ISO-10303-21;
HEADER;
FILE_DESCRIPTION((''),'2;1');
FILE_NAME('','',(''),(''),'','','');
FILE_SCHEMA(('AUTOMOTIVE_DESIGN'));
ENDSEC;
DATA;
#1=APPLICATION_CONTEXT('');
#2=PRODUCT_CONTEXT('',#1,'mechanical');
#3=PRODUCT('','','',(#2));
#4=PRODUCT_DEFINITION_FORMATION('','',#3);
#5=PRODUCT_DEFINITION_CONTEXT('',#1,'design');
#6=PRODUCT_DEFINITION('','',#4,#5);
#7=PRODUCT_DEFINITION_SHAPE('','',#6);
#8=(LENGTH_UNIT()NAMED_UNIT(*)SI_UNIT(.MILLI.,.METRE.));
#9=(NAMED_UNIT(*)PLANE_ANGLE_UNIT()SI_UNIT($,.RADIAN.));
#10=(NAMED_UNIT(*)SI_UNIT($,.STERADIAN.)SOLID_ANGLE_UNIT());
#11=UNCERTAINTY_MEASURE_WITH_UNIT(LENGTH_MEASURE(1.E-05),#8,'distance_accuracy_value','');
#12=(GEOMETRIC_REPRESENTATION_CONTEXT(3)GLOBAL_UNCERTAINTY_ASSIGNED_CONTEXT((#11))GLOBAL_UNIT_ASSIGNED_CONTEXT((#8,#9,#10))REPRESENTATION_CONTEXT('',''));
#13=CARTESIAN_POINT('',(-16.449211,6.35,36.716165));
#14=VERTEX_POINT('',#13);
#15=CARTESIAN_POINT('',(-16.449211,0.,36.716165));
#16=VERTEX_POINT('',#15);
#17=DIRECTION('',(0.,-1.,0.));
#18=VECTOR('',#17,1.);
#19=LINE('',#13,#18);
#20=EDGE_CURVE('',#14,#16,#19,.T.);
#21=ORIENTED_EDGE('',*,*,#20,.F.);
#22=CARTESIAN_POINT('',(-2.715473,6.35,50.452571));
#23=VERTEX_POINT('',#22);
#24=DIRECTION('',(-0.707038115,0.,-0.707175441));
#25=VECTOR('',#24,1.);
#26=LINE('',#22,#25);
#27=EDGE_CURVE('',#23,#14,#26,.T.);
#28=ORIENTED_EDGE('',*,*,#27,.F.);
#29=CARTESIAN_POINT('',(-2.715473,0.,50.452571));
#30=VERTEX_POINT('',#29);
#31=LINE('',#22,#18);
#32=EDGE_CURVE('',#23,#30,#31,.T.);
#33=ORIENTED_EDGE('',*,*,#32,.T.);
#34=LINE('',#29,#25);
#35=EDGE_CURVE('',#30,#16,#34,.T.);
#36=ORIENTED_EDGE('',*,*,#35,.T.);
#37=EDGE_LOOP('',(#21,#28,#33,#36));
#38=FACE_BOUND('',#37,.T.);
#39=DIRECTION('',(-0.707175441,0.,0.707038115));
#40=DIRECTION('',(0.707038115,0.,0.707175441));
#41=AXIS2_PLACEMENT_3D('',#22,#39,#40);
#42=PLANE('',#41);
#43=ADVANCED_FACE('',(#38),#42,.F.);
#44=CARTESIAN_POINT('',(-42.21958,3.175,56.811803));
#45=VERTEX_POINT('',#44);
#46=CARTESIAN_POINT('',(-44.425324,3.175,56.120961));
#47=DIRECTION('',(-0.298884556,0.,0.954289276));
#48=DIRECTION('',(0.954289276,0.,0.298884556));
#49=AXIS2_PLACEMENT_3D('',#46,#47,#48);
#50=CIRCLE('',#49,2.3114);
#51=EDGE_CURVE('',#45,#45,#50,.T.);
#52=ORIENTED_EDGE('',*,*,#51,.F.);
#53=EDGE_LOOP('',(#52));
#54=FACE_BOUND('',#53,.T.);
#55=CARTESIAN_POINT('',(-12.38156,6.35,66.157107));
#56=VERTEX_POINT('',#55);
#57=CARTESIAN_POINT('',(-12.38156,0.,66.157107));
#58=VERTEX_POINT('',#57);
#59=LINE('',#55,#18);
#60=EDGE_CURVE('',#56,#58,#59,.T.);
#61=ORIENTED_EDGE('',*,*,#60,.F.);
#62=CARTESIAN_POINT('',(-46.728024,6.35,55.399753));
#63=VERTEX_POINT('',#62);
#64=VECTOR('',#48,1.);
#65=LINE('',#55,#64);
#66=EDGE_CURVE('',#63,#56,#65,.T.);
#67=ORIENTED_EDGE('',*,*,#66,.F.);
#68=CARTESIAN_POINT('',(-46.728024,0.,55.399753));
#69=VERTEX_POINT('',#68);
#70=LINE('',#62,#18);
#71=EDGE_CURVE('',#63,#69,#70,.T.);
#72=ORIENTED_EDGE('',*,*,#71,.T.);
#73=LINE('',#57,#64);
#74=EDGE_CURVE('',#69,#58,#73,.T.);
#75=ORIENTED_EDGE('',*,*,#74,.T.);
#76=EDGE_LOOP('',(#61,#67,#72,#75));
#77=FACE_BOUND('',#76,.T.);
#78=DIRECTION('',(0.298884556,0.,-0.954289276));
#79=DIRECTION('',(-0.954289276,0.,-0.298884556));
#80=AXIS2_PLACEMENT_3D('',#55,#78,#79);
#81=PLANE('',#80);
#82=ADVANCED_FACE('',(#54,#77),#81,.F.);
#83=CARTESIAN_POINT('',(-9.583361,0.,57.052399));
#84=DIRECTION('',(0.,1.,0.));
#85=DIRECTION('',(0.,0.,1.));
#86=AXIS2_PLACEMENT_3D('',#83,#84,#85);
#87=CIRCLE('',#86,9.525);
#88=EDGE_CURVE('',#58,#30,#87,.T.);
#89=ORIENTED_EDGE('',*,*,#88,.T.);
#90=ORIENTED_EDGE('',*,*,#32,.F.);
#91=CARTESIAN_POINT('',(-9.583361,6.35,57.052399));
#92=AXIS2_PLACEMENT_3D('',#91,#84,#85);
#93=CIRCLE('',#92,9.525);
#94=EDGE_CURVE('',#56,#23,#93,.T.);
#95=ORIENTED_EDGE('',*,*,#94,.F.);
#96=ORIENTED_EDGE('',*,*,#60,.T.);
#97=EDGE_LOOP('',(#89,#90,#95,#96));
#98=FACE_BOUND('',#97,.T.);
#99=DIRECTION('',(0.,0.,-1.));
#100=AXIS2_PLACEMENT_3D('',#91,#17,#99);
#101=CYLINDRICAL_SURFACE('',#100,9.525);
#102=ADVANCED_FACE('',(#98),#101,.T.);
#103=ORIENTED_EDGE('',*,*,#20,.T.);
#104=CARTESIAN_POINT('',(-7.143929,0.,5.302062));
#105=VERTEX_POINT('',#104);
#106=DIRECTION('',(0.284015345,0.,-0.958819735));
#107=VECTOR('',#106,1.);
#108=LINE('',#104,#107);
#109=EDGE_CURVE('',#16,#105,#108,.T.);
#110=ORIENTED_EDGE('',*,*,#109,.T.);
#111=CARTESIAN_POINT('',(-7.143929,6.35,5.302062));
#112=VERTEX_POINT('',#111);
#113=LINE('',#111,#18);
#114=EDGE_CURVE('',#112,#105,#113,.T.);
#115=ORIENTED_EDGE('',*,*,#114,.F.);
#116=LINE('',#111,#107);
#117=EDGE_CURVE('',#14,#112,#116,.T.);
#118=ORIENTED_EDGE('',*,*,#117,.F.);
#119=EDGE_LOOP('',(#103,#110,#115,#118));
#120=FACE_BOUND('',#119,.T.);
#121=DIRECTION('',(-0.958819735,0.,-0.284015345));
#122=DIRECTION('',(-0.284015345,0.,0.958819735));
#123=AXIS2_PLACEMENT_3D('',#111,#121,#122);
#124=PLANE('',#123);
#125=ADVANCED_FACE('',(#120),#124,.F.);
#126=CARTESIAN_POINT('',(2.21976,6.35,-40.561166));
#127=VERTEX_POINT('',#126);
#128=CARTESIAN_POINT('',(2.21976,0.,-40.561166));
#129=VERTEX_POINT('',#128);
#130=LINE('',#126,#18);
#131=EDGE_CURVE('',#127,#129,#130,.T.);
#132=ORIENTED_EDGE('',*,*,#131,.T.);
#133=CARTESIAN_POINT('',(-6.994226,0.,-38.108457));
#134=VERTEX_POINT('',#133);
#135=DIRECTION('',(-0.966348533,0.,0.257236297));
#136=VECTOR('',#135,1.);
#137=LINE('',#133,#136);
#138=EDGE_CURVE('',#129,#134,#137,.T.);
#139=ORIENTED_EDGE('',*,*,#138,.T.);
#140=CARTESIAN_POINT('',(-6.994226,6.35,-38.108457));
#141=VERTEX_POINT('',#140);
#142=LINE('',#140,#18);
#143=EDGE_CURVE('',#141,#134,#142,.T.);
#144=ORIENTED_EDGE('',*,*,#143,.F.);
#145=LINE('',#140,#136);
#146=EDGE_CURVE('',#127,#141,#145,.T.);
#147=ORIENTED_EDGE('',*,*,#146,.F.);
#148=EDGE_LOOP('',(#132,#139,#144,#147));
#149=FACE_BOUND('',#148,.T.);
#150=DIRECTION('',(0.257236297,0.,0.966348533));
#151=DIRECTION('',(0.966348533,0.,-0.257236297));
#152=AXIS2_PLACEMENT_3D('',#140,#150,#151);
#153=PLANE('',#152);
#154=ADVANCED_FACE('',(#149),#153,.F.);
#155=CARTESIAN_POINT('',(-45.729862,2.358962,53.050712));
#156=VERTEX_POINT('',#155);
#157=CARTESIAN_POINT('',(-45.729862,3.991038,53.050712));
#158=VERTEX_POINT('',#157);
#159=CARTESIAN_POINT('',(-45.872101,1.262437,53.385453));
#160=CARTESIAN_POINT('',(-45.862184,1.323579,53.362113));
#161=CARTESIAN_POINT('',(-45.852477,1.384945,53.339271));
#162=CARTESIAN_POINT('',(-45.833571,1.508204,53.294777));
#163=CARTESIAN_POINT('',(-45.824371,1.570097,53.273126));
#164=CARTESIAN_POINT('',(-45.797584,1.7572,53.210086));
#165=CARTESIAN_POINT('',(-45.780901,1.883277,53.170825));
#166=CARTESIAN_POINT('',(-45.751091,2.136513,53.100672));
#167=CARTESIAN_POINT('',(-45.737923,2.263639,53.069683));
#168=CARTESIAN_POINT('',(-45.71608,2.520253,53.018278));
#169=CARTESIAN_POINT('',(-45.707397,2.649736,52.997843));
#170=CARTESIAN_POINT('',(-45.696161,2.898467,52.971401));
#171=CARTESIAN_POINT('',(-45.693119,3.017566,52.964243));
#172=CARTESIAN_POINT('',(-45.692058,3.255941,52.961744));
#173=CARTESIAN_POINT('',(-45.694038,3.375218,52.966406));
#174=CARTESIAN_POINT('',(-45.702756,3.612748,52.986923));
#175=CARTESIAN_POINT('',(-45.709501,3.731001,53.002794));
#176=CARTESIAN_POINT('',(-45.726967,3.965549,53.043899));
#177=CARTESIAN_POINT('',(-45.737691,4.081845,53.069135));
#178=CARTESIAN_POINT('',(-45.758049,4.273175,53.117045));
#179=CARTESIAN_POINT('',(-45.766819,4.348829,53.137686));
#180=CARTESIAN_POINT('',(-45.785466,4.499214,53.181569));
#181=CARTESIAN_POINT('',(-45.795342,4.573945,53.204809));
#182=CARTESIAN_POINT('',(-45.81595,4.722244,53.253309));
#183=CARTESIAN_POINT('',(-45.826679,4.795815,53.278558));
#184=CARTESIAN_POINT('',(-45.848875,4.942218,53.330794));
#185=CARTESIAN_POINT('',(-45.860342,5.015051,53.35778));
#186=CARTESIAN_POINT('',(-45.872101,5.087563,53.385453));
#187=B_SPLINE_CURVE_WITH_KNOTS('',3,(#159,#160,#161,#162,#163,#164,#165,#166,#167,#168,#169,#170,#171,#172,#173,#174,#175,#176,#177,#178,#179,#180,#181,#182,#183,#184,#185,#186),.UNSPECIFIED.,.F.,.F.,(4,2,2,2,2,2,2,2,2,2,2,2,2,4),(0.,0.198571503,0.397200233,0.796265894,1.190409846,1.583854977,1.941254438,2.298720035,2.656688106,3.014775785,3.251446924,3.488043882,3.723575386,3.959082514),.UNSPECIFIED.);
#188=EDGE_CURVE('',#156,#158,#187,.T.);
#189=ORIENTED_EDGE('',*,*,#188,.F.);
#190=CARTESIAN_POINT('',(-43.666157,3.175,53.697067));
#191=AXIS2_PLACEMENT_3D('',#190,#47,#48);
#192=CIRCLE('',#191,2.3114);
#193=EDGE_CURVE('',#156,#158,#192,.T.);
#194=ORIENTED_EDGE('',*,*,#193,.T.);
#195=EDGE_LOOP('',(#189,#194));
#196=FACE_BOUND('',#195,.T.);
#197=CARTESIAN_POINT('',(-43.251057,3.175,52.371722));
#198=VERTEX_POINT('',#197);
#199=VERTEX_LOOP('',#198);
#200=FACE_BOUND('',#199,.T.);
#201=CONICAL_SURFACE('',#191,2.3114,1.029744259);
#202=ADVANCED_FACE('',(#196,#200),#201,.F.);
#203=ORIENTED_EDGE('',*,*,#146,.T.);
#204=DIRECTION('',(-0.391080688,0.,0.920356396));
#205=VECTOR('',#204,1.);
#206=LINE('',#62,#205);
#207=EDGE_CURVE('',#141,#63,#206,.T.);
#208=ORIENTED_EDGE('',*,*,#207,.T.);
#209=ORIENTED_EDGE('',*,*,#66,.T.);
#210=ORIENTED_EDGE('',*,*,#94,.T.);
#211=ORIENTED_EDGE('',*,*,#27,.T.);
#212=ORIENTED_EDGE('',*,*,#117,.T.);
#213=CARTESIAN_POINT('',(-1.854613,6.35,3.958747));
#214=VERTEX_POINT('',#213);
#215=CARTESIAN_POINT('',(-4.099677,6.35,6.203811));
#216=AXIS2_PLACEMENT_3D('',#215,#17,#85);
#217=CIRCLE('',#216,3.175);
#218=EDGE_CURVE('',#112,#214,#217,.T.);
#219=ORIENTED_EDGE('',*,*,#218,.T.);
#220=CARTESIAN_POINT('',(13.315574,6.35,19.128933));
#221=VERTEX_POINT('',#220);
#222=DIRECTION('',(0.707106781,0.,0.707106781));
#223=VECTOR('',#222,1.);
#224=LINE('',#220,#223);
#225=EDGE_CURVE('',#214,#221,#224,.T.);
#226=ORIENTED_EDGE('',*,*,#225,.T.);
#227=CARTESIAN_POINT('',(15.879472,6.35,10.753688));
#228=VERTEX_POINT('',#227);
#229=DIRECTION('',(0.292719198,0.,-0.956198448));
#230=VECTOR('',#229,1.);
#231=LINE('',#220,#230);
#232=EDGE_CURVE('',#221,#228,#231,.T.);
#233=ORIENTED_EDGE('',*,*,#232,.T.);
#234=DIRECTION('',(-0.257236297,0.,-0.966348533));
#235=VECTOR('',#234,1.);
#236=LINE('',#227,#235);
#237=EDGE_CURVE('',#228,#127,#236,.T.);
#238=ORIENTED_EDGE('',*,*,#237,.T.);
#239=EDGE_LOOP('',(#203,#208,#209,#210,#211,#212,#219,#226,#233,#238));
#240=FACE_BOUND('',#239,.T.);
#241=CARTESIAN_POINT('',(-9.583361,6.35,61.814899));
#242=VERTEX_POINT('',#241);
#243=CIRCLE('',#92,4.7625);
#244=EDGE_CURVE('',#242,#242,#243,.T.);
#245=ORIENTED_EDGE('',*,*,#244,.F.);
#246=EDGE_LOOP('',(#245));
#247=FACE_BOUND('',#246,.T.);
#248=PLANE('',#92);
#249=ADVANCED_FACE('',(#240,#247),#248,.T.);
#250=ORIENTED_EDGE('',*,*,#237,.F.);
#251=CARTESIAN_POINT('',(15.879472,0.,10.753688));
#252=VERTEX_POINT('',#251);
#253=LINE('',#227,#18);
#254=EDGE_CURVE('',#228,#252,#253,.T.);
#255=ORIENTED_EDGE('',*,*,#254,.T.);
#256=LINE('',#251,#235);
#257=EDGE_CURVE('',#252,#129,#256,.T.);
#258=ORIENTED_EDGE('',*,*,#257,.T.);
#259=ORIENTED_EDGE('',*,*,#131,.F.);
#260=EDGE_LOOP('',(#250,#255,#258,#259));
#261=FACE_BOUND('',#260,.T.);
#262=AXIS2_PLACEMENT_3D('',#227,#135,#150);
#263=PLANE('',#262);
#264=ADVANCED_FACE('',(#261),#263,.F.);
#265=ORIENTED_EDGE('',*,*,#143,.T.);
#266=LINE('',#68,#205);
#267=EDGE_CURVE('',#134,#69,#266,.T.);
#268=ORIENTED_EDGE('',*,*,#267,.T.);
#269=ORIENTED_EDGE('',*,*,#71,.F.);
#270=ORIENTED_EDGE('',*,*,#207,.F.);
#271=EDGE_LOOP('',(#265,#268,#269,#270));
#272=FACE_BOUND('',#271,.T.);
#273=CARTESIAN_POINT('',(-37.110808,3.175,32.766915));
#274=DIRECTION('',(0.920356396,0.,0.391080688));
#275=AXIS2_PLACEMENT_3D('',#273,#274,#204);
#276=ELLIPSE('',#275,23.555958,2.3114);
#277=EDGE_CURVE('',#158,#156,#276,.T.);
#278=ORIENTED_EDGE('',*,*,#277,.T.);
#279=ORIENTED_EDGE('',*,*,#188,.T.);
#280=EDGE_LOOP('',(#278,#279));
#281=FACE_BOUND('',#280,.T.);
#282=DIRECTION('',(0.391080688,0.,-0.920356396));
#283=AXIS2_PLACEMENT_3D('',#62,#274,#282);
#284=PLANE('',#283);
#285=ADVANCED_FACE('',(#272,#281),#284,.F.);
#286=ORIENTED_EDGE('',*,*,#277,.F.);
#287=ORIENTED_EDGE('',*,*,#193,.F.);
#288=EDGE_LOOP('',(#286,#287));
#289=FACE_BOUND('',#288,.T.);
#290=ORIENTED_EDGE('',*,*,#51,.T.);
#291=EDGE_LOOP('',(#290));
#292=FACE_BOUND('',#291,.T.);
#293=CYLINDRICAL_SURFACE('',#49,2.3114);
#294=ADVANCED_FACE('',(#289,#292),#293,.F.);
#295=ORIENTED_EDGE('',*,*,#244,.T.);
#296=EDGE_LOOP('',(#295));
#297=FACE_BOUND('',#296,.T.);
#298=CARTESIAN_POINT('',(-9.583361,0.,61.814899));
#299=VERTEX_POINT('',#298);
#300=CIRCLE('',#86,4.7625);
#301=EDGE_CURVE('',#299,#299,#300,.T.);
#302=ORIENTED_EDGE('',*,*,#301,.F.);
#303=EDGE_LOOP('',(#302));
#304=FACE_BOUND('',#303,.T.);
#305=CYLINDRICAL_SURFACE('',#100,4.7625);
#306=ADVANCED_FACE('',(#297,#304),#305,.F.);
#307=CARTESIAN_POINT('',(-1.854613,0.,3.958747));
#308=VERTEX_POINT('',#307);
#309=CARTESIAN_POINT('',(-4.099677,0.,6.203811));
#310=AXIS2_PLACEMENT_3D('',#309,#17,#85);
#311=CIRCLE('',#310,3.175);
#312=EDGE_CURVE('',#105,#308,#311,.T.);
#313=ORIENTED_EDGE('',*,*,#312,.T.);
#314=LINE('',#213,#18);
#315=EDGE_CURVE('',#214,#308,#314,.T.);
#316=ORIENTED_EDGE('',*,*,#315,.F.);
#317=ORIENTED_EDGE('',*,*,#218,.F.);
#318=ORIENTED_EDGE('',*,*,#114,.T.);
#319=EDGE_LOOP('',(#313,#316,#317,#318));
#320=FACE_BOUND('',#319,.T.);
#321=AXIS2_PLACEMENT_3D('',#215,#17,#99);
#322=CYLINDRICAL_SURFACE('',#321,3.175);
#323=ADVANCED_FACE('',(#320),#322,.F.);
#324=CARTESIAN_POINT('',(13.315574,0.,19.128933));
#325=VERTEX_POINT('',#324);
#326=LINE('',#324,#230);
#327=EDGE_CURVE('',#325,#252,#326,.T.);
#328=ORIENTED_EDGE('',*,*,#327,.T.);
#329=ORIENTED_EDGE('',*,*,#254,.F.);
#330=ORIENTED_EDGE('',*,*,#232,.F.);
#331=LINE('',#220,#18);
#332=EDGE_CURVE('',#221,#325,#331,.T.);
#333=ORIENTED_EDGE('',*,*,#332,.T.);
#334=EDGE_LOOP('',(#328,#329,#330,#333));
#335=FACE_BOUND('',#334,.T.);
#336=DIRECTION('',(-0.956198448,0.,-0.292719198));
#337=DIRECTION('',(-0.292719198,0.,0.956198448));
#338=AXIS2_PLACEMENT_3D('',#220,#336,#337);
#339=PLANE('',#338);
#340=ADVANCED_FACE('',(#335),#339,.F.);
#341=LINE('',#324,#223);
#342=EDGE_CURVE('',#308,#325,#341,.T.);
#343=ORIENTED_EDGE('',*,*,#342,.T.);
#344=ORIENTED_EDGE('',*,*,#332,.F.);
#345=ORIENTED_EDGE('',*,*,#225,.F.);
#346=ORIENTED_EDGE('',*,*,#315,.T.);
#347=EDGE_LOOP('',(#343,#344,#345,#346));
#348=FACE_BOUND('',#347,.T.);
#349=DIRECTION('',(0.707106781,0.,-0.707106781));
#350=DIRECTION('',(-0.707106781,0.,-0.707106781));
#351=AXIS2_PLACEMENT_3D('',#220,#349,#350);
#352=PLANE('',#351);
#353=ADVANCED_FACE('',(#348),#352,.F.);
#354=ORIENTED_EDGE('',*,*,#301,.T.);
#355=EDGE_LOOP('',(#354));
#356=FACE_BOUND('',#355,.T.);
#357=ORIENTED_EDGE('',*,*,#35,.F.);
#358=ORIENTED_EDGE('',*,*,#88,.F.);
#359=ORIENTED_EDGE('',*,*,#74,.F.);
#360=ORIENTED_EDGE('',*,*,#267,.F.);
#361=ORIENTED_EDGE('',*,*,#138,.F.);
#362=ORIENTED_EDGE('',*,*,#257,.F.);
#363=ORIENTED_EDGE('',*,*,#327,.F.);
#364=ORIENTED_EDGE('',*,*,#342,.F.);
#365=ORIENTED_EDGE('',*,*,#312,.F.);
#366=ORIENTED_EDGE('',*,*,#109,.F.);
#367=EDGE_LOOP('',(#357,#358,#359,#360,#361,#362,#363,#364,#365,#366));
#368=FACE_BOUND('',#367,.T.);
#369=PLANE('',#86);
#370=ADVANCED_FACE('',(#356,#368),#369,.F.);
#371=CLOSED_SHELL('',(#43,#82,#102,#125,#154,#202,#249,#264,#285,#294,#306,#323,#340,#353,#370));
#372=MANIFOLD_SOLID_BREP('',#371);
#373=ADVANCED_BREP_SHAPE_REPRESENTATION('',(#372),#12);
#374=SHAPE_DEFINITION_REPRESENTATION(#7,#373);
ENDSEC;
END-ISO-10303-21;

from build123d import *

# Parameters (mm, degrees)
SKETCH1_R                       = 4.7625
BOSS_EXTRUDE1_DEPTH             = 6.35
F_14_0_182_DIAMETER_HOLE1_D     = 4.6228
F_14_0_182_DIAMETER_HOLE1_DEPTH = 2.54
F_14_0_182_DIAMETER_HOLE1_TIP   = 1.388829235


with BuildPart() as part:
    # Sketch1 → Boss-Extrude1 (new body)
    with BuildSketch(Plane(origin=(0, 0, 0), x_dir=(1, 0, 0), z_dir=(0, 1, 0))):
        with BuildLine():
            Line((-2.715472603, -50.452570894), (-16.449210706, -36.716165316))
            Line((-16.449210706, -36.716165316), (-7.143929399, -5.302062091))
            ThreePointArc((-7.143929399, -5.302062091), (-4.881213446, -3.126502672), (-1.85461271, -3.95874678))
            Line((-1.85461271, -3.95874678), (13.315573809, -19.128933299))
            Line((13.315573809, -19.128933299), (15.879471691, -10.753687697))
            Line((15.879471691, -10.753687697), (2.2197595, 40.561165667))
            Line((2.2197595, 40.561165667), (-6.994225827, 38.108456959))
            Line((-6.994225827, 38.108456959), (-46.728023778, -55.399752843))
            Line((-46.728023778, -55.399752843), (-12.38156047, -66.157106701))
            ThreePointArc((-12.38156047, -66.157106701), (-1.47172138, -62.045085351), (-2.715472603, -50.452570894))
        make_face()
        with Locations(Location((-9.583361485, -57.052398719, 0), (0, 0, 270))):
            Circle(SKETCH1_R, mode=Mode.SUBTRACT)
    extrude(amount=BOSS_EXTRUDE1_DEPTH)

    # #14 (0.182) Diameter Hole1
    with Locations(Plane(origin=(-19.975553156, 0, 63.778659005), x_dir=(0.9542892760421928, 0, 0.29888455569143674), z_dir=(-0.29888455569143674, 0, 0.9542892760421928))):
        with Locations((-25.620921468, 3.175)):
            Hole(F_14_0_182_DIAMETER_HOLE1_D / 2, depth=F_14_0_182_DIAMETER_HOLE1_DEPTH)
            with Locations((0, 0, -(F_14_0_182_DIAMETER_HOLE1_DEPTH + F_14_0_182_DIAMETER_HOLE1_TIP / 2))):  # 118° drill point
                Cone(0, F_14_0_182_DIAMETER_HOLE1_D / 2, F_14_0_182_DIAMETER_HOLE1_TIP, mode=Mode.SUBTRACT)


solid = part.part
